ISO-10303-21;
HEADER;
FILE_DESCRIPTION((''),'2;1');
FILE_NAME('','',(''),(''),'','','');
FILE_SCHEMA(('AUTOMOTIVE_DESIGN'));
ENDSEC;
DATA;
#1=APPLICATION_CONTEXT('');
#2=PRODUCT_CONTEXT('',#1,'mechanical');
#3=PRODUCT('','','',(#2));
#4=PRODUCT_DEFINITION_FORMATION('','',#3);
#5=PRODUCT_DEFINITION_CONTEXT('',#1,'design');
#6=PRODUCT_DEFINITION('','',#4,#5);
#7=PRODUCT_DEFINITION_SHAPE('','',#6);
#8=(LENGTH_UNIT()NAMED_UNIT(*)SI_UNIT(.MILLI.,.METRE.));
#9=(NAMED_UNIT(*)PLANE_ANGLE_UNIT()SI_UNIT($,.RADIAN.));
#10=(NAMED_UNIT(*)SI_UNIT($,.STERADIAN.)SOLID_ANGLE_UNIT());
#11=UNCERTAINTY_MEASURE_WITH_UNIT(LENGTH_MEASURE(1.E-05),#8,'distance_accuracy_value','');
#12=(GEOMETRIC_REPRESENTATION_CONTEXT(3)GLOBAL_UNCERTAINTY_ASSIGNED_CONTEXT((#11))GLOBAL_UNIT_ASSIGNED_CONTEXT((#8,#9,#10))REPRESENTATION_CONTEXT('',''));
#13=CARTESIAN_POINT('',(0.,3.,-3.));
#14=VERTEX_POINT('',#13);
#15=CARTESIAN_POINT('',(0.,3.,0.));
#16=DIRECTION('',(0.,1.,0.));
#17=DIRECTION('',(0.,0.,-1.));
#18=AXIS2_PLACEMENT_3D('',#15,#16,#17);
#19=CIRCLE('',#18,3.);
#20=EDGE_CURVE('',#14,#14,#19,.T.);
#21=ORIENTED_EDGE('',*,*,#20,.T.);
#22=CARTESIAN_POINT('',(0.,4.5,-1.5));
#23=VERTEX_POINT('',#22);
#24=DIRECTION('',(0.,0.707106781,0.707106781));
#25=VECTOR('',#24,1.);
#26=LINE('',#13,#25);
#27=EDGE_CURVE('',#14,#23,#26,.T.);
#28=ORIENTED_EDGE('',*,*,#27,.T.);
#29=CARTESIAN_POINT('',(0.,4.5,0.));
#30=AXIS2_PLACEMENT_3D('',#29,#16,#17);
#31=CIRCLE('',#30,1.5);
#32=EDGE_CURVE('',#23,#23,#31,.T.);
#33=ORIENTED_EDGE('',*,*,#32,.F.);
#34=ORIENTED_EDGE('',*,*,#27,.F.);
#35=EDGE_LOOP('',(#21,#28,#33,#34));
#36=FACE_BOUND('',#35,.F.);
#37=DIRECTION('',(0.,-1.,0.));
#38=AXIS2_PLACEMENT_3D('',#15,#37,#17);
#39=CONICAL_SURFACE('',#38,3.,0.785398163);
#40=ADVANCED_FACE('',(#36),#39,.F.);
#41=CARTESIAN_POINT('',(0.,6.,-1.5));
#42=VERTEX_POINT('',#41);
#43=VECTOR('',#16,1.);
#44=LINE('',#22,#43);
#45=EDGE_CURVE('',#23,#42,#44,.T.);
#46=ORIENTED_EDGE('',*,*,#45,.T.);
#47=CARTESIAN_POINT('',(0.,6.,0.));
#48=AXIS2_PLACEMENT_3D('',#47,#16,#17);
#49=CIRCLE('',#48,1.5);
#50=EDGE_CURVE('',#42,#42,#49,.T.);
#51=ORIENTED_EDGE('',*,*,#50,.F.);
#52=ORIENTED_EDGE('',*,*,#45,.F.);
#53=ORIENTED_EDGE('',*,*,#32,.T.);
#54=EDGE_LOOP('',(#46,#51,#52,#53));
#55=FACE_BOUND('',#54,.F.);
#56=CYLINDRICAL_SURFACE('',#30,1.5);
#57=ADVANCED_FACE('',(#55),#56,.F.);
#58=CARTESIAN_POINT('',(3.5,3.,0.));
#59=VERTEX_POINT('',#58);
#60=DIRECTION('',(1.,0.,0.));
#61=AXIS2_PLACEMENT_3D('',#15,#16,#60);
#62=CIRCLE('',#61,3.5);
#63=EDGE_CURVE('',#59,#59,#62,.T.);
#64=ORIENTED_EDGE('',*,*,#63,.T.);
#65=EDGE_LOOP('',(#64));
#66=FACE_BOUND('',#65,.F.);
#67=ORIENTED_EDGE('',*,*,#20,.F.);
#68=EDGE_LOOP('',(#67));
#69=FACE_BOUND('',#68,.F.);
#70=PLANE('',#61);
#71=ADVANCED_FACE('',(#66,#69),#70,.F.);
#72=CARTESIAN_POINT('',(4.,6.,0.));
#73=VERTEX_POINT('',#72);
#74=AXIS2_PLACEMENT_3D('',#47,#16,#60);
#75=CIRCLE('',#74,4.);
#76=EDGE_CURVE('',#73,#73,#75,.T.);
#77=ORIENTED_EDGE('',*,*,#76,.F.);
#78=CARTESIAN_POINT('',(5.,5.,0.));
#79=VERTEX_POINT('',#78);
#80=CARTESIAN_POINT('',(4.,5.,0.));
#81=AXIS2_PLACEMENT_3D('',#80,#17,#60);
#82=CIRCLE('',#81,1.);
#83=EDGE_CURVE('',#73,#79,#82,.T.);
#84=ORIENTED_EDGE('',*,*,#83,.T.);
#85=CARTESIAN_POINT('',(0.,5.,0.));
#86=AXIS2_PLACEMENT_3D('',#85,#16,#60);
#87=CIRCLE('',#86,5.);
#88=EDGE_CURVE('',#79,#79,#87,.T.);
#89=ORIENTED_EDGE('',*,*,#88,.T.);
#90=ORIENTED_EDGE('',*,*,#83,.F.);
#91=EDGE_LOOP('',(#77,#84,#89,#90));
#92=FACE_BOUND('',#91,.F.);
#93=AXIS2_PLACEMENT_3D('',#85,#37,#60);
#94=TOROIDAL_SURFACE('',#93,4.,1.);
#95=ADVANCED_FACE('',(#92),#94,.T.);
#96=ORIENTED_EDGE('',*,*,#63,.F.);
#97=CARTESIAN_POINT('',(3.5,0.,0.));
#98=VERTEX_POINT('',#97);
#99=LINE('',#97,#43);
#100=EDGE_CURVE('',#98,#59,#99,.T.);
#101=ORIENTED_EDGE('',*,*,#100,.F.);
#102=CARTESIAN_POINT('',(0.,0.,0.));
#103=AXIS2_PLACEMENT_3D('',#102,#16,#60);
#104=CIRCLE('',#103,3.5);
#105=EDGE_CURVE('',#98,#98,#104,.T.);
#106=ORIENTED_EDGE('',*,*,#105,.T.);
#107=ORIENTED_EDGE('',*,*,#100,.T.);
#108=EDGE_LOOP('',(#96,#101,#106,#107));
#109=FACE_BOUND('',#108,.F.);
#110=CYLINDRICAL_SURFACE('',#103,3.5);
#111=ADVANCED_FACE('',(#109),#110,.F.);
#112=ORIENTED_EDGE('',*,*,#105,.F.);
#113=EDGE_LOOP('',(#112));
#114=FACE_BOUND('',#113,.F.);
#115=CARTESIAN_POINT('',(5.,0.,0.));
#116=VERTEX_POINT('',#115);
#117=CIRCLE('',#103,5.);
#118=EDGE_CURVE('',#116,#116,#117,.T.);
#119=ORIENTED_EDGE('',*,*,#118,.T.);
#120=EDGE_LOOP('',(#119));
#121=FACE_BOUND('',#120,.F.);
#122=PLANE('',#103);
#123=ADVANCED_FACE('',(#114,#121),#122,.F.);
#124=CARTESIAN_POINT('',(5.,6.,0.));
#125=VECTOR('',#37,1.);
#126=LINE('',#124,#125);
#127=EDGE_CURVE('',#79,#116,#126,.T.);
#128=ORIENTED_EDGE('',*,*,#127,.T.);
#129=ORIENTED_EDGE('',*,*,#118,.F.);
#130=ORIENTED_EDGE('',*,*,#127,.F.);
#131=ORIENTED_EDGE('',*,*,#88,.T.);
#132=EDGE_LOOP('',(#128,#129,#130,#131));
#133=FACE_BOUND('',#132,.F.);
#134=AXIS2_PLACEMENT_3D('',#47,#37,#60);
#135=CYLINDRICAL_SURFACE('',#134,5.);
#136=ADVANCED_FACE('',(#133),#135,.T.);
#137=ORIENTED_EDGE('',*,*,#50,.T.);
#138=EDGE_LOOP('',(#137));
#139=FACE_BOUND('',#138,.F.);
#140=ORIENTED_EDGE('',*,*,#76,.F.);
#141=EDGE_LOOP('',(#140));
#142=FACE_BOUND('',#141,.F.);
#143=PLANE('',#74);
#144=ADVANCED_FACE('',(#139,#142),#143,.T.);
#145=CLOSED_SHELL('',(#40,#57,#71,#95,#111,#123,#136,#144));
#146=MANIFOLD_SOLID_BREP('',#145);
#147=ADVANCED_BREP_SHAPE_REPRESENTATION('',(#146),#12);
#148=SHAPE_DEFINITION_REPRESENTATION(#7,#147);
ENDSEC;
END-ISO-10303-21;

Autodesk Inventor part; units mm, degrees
ref_plane "YZ Plane" through (0, 0, 0) normal (1, 0, 0) x (0, 1, 0)
ref_plane "XZ Plane" through (0, 0, 0) normal (0, 1, 0) x (-1, 0, 0)
ref_plane "XY Plane" through (0, 0, 0) normal (0, 0, 1) x (1, 0, 0)
sketch "Sketch1" plane through (0, 0, 0) normal (0, 0, 1) x (1, 0, 0)
  line L0 (0, 0) -> (0, 6)
  line L1 (0, 6) -> (5, 6)
  line L2 (5, 6) -> (5, 0)
  line L3 (5, 0) -> (3.5, 0)
  line L4 (3.5, 0) -> (3.5, 3)
  line L5 (3.5, 3) -> (0, 3)
  point P0 (4.25, 0)
  dimension "d0" = 7
  dimension "d1" = 10
  dimension "d2" = 3
  dimension "d3" = 6
revolve "Revolution1" add sketch "Sketch1" angle 360 about axis through (0, 0, 0) along (0, 1, 0)
sketch "Sketch2" plane through (0, 3, 0) normal (0, -1, 0) x (1, 0, 0)
  circle A0 centre (0, 0) radius 3.5 projected
hole "Hole1" at (0, 3, 0) direction (0, 1, 0) diameter 3 depth 3 countersink diameter 6 countersink angle 90
fillet "Fillet1" radius 1 1 edges at (-5, 6, 0)
properties part number "26b"
